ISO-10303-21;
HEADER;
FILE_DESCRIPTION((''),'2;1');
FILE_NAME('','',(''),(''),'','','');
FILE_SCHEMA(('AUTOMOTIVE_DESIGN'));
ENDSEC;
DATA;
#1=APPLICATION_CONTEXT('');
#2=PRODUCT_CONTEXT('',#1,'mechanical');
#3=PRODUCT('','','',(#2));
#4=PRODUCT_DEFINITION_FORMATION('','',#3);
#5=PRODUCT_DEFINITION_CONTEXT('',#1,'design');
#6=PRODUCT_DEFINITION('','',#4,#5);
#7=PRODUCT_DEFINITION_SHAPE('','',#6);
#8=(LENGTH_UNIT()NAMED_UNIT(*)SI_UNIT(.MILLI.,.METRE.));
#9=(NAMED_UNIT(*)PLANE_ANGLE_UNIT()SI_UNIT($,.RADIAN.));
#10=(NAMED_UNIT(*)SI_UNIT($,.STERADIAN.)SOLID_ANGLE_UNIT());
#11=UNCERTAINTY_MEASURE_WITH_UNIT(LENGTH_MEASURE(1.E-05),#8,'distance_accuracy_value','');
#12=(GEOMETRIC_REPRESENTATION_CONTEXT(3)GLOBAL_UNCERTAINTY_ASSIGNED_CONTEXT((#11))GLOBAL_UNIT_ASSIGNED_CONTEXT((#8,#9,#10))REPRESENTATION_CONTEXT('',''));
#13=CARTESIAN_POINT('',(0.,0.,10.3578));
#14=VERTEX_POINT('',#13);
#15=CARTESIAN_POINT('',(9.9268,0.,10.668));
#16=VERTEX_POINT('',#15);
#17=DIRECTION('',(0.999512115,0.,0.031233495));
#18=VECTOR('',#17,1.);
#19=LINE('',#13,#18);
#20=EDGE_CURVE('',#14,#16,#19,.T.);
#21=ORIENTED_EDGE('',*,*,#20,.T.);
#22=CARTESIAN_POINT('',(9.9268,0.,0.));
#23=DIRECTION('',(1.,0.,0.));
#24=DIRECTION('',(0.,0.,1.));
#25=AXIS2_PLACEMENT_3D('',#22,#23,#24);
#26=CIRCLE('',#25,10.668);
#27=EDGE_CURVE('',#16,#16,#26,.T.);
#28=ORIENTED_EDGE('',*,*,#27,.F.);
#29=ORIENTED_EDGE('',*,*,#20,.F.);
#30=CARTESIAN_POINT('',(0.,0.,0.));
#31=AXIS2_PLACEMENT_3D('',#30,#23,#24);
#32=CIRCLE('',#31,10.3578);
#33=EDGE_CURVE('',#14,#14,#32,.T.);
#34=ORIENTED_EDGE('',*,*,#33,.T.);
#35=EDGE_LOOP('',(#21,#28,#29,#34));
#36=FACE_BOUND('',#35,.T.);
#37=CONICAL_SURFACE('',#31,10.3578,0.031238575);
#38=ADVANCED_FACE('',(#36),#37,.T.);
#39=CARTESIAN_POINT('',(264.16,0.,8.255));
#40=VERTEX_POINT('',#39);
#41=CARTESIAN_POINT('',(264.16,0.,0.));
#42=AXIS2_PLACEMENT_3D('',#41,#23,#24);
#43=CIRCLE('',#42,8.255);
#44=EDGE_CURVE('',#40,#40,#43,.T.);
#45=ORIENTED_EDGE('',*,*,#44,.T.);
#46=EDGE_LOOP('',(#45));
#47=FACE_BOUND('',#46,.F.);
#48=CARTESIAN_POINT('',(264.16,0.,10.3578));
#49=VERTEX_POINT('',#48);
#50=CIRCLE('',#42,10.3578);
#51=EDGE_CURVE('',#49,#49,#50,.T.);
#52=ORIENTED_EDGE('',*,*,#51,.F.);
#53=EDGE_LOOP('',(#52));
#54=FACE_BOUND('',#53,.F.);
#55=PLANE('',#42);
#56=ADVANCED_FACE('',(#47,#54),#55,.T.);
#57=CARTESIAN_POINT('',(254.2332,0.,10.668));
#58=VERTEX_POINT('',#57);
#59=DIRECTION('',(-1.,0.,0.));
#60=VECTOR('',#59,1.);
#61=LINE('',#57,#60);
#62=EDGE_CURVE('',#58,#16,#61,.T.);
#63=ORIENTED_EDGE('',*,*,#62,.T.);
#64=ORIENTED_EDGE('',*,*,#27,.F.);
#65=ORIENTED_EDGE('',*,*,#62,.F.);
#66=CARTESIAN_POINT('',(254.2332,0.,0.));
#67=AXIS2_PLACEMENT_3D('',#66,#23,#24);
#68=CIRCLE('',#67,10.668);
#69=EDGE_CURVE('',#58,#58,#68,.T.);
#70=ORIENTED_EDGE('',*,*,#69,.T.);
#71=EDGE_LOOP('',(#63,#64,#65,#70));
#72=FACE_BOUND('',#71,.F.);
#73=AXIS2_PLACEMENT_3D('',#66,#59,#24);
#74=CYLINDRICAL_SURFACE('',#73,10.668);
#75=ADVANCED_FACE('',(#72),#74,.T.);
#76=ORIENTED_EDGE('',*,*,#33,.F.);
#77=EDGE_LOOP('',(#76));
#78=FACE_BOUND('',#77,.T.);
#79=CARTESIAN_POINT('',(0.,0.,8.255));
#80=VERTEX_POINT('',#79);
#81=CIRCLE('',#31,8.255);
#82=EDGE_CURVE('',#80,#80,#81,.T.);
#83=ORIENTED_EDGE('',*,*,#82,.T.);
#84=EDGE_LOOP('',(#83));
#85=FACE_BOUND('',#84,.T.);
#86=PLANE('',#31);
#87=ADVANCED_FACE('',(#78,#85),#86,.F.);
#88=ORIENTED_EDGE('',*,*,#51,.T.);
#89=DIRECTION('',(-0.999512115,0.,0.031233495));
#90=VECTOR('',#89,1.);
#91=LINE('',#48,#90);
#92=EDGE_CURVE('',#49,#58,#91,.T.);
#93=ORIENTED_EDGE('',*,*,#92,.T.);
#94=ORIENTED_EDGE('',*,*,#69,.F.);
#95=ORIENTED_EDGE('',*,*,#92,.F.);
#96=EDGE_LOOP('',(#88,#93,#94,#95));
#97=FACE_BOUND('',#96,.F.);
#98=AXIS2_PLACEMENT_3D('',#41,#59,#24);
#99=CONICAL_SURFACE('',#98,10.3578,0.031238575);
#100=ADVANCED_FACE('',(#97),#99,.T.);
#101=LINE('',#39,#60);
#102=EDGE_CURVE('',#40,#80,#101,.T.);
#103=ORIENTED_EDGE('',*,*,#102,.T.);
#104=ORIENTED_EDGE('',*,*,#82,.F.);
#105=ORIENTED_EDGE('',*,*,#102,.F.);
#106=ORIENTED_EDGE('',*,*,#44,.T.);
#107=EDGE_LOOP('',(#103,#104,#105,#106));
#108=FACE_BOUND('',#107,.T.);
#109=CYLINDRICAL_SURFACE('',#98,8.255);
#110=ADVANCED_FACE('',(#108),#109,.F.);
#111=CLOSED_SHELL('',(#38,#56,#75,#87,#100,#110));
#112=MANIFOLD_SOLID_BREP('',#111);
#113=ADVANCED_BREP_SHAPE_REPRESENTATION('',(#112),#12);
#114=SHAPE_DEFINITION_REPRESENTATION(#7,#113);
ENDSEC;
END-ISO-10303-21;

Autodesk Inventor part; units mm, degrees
ref_plane "YZ Plane" through (0, 0, 0) normal (1, 0, 0) x (0, 1, 0)
ref_plane "XZ Plane" through (0, 0, 0) normal (0, 1, 0) x (-1, 0, 0)
ref_plane "XY Plane" through (0, 0, 0) normal (0, 0, 1) x (1, 0, 0)
sketch "Sketch1" plane through (0, 0, 0) normal (0, 1, 0) x (-1, 0, 0)
  line L0 (0, 0) -> (-264.16, 0)
  line L1 (-264.16, 0) -> (-264.16, 8.255) construction
  line L2 (-264.16, 8.255) -> (-264.16, 10.3578)
  line L3 (-264.16, 10.3578) -> (-254.2332, 10.668)
  line L4 (-254.2332, 10.668) -> (-9.9268, 10.668)
  line L5 (-132.08, 0) -> (-132.08, 10.668) construction
  line L6 (-264.16, 8.255) -> (0, 8.255)
  line L7 (0, 0) -> (0, 8.255) construction
  line L8 (0, 8.255) -> (0, 10.3578)
  line L9 (0, 10.3578) -> (-9.9268, 10.668)
  line L10 (-250.604, 10.7814) -> (-250.604, 0) construction
  line L11 (-13.556, 10.7814) -> (-13.556, 0) construction
  line L12 (-254.2332, 10.668) -> (-250.604, 10.7814) construction
  line L13 (-254.2332, 10.668) -> (-254.2332, 0) construction
  line L14 (-9.9268, 10.668) -> (-13.556, 10.7814) construction
  line L15 (-9.9268, 10.668) -> (-9.9268, 0) construction
  dimension "d0" = 21.336
  dimension "d1" = 1.79
  dimension "d2" = 16.51
  dimension "d3" = 264.16
  dimension "d4" = 13.556
  dimension "d5" = 21.5628
revolve "Revolution1" add sketch "Sketch1" angle 360 about axis through (0, 0, 0) along (1, 0, 0)
thread "Thread1" size "1/2" designation "1/2 - 14 NPT" standard "NPT" full length
thread "Thread2" size "1/2" designation "1/2 - 14 NPT" standard "NPT" full length
equation "\"d0\" = OD"
equation "\"d2\" = ID"
equation "\"d3\" = L"
equation "\"d4\" = L2"
equation "\"d5\" = D2"
equation "\"OD\" = 21.336"
equation "\"t\" = 2.413"
equation "\"L\" = PL"
equation "\"L4\" = 19.8501"
equation "\"ID\" = 16.51"
equation "\"PL\" = 264.16"
equation "\"D2\" = 21.56282"
equation "\"L2\" = 13.55598"
equation "\"Size_Designation\" = 1.2345"
equation "\"PLmin\" = 2 * L2"
properties material "Steel, Wrought"
